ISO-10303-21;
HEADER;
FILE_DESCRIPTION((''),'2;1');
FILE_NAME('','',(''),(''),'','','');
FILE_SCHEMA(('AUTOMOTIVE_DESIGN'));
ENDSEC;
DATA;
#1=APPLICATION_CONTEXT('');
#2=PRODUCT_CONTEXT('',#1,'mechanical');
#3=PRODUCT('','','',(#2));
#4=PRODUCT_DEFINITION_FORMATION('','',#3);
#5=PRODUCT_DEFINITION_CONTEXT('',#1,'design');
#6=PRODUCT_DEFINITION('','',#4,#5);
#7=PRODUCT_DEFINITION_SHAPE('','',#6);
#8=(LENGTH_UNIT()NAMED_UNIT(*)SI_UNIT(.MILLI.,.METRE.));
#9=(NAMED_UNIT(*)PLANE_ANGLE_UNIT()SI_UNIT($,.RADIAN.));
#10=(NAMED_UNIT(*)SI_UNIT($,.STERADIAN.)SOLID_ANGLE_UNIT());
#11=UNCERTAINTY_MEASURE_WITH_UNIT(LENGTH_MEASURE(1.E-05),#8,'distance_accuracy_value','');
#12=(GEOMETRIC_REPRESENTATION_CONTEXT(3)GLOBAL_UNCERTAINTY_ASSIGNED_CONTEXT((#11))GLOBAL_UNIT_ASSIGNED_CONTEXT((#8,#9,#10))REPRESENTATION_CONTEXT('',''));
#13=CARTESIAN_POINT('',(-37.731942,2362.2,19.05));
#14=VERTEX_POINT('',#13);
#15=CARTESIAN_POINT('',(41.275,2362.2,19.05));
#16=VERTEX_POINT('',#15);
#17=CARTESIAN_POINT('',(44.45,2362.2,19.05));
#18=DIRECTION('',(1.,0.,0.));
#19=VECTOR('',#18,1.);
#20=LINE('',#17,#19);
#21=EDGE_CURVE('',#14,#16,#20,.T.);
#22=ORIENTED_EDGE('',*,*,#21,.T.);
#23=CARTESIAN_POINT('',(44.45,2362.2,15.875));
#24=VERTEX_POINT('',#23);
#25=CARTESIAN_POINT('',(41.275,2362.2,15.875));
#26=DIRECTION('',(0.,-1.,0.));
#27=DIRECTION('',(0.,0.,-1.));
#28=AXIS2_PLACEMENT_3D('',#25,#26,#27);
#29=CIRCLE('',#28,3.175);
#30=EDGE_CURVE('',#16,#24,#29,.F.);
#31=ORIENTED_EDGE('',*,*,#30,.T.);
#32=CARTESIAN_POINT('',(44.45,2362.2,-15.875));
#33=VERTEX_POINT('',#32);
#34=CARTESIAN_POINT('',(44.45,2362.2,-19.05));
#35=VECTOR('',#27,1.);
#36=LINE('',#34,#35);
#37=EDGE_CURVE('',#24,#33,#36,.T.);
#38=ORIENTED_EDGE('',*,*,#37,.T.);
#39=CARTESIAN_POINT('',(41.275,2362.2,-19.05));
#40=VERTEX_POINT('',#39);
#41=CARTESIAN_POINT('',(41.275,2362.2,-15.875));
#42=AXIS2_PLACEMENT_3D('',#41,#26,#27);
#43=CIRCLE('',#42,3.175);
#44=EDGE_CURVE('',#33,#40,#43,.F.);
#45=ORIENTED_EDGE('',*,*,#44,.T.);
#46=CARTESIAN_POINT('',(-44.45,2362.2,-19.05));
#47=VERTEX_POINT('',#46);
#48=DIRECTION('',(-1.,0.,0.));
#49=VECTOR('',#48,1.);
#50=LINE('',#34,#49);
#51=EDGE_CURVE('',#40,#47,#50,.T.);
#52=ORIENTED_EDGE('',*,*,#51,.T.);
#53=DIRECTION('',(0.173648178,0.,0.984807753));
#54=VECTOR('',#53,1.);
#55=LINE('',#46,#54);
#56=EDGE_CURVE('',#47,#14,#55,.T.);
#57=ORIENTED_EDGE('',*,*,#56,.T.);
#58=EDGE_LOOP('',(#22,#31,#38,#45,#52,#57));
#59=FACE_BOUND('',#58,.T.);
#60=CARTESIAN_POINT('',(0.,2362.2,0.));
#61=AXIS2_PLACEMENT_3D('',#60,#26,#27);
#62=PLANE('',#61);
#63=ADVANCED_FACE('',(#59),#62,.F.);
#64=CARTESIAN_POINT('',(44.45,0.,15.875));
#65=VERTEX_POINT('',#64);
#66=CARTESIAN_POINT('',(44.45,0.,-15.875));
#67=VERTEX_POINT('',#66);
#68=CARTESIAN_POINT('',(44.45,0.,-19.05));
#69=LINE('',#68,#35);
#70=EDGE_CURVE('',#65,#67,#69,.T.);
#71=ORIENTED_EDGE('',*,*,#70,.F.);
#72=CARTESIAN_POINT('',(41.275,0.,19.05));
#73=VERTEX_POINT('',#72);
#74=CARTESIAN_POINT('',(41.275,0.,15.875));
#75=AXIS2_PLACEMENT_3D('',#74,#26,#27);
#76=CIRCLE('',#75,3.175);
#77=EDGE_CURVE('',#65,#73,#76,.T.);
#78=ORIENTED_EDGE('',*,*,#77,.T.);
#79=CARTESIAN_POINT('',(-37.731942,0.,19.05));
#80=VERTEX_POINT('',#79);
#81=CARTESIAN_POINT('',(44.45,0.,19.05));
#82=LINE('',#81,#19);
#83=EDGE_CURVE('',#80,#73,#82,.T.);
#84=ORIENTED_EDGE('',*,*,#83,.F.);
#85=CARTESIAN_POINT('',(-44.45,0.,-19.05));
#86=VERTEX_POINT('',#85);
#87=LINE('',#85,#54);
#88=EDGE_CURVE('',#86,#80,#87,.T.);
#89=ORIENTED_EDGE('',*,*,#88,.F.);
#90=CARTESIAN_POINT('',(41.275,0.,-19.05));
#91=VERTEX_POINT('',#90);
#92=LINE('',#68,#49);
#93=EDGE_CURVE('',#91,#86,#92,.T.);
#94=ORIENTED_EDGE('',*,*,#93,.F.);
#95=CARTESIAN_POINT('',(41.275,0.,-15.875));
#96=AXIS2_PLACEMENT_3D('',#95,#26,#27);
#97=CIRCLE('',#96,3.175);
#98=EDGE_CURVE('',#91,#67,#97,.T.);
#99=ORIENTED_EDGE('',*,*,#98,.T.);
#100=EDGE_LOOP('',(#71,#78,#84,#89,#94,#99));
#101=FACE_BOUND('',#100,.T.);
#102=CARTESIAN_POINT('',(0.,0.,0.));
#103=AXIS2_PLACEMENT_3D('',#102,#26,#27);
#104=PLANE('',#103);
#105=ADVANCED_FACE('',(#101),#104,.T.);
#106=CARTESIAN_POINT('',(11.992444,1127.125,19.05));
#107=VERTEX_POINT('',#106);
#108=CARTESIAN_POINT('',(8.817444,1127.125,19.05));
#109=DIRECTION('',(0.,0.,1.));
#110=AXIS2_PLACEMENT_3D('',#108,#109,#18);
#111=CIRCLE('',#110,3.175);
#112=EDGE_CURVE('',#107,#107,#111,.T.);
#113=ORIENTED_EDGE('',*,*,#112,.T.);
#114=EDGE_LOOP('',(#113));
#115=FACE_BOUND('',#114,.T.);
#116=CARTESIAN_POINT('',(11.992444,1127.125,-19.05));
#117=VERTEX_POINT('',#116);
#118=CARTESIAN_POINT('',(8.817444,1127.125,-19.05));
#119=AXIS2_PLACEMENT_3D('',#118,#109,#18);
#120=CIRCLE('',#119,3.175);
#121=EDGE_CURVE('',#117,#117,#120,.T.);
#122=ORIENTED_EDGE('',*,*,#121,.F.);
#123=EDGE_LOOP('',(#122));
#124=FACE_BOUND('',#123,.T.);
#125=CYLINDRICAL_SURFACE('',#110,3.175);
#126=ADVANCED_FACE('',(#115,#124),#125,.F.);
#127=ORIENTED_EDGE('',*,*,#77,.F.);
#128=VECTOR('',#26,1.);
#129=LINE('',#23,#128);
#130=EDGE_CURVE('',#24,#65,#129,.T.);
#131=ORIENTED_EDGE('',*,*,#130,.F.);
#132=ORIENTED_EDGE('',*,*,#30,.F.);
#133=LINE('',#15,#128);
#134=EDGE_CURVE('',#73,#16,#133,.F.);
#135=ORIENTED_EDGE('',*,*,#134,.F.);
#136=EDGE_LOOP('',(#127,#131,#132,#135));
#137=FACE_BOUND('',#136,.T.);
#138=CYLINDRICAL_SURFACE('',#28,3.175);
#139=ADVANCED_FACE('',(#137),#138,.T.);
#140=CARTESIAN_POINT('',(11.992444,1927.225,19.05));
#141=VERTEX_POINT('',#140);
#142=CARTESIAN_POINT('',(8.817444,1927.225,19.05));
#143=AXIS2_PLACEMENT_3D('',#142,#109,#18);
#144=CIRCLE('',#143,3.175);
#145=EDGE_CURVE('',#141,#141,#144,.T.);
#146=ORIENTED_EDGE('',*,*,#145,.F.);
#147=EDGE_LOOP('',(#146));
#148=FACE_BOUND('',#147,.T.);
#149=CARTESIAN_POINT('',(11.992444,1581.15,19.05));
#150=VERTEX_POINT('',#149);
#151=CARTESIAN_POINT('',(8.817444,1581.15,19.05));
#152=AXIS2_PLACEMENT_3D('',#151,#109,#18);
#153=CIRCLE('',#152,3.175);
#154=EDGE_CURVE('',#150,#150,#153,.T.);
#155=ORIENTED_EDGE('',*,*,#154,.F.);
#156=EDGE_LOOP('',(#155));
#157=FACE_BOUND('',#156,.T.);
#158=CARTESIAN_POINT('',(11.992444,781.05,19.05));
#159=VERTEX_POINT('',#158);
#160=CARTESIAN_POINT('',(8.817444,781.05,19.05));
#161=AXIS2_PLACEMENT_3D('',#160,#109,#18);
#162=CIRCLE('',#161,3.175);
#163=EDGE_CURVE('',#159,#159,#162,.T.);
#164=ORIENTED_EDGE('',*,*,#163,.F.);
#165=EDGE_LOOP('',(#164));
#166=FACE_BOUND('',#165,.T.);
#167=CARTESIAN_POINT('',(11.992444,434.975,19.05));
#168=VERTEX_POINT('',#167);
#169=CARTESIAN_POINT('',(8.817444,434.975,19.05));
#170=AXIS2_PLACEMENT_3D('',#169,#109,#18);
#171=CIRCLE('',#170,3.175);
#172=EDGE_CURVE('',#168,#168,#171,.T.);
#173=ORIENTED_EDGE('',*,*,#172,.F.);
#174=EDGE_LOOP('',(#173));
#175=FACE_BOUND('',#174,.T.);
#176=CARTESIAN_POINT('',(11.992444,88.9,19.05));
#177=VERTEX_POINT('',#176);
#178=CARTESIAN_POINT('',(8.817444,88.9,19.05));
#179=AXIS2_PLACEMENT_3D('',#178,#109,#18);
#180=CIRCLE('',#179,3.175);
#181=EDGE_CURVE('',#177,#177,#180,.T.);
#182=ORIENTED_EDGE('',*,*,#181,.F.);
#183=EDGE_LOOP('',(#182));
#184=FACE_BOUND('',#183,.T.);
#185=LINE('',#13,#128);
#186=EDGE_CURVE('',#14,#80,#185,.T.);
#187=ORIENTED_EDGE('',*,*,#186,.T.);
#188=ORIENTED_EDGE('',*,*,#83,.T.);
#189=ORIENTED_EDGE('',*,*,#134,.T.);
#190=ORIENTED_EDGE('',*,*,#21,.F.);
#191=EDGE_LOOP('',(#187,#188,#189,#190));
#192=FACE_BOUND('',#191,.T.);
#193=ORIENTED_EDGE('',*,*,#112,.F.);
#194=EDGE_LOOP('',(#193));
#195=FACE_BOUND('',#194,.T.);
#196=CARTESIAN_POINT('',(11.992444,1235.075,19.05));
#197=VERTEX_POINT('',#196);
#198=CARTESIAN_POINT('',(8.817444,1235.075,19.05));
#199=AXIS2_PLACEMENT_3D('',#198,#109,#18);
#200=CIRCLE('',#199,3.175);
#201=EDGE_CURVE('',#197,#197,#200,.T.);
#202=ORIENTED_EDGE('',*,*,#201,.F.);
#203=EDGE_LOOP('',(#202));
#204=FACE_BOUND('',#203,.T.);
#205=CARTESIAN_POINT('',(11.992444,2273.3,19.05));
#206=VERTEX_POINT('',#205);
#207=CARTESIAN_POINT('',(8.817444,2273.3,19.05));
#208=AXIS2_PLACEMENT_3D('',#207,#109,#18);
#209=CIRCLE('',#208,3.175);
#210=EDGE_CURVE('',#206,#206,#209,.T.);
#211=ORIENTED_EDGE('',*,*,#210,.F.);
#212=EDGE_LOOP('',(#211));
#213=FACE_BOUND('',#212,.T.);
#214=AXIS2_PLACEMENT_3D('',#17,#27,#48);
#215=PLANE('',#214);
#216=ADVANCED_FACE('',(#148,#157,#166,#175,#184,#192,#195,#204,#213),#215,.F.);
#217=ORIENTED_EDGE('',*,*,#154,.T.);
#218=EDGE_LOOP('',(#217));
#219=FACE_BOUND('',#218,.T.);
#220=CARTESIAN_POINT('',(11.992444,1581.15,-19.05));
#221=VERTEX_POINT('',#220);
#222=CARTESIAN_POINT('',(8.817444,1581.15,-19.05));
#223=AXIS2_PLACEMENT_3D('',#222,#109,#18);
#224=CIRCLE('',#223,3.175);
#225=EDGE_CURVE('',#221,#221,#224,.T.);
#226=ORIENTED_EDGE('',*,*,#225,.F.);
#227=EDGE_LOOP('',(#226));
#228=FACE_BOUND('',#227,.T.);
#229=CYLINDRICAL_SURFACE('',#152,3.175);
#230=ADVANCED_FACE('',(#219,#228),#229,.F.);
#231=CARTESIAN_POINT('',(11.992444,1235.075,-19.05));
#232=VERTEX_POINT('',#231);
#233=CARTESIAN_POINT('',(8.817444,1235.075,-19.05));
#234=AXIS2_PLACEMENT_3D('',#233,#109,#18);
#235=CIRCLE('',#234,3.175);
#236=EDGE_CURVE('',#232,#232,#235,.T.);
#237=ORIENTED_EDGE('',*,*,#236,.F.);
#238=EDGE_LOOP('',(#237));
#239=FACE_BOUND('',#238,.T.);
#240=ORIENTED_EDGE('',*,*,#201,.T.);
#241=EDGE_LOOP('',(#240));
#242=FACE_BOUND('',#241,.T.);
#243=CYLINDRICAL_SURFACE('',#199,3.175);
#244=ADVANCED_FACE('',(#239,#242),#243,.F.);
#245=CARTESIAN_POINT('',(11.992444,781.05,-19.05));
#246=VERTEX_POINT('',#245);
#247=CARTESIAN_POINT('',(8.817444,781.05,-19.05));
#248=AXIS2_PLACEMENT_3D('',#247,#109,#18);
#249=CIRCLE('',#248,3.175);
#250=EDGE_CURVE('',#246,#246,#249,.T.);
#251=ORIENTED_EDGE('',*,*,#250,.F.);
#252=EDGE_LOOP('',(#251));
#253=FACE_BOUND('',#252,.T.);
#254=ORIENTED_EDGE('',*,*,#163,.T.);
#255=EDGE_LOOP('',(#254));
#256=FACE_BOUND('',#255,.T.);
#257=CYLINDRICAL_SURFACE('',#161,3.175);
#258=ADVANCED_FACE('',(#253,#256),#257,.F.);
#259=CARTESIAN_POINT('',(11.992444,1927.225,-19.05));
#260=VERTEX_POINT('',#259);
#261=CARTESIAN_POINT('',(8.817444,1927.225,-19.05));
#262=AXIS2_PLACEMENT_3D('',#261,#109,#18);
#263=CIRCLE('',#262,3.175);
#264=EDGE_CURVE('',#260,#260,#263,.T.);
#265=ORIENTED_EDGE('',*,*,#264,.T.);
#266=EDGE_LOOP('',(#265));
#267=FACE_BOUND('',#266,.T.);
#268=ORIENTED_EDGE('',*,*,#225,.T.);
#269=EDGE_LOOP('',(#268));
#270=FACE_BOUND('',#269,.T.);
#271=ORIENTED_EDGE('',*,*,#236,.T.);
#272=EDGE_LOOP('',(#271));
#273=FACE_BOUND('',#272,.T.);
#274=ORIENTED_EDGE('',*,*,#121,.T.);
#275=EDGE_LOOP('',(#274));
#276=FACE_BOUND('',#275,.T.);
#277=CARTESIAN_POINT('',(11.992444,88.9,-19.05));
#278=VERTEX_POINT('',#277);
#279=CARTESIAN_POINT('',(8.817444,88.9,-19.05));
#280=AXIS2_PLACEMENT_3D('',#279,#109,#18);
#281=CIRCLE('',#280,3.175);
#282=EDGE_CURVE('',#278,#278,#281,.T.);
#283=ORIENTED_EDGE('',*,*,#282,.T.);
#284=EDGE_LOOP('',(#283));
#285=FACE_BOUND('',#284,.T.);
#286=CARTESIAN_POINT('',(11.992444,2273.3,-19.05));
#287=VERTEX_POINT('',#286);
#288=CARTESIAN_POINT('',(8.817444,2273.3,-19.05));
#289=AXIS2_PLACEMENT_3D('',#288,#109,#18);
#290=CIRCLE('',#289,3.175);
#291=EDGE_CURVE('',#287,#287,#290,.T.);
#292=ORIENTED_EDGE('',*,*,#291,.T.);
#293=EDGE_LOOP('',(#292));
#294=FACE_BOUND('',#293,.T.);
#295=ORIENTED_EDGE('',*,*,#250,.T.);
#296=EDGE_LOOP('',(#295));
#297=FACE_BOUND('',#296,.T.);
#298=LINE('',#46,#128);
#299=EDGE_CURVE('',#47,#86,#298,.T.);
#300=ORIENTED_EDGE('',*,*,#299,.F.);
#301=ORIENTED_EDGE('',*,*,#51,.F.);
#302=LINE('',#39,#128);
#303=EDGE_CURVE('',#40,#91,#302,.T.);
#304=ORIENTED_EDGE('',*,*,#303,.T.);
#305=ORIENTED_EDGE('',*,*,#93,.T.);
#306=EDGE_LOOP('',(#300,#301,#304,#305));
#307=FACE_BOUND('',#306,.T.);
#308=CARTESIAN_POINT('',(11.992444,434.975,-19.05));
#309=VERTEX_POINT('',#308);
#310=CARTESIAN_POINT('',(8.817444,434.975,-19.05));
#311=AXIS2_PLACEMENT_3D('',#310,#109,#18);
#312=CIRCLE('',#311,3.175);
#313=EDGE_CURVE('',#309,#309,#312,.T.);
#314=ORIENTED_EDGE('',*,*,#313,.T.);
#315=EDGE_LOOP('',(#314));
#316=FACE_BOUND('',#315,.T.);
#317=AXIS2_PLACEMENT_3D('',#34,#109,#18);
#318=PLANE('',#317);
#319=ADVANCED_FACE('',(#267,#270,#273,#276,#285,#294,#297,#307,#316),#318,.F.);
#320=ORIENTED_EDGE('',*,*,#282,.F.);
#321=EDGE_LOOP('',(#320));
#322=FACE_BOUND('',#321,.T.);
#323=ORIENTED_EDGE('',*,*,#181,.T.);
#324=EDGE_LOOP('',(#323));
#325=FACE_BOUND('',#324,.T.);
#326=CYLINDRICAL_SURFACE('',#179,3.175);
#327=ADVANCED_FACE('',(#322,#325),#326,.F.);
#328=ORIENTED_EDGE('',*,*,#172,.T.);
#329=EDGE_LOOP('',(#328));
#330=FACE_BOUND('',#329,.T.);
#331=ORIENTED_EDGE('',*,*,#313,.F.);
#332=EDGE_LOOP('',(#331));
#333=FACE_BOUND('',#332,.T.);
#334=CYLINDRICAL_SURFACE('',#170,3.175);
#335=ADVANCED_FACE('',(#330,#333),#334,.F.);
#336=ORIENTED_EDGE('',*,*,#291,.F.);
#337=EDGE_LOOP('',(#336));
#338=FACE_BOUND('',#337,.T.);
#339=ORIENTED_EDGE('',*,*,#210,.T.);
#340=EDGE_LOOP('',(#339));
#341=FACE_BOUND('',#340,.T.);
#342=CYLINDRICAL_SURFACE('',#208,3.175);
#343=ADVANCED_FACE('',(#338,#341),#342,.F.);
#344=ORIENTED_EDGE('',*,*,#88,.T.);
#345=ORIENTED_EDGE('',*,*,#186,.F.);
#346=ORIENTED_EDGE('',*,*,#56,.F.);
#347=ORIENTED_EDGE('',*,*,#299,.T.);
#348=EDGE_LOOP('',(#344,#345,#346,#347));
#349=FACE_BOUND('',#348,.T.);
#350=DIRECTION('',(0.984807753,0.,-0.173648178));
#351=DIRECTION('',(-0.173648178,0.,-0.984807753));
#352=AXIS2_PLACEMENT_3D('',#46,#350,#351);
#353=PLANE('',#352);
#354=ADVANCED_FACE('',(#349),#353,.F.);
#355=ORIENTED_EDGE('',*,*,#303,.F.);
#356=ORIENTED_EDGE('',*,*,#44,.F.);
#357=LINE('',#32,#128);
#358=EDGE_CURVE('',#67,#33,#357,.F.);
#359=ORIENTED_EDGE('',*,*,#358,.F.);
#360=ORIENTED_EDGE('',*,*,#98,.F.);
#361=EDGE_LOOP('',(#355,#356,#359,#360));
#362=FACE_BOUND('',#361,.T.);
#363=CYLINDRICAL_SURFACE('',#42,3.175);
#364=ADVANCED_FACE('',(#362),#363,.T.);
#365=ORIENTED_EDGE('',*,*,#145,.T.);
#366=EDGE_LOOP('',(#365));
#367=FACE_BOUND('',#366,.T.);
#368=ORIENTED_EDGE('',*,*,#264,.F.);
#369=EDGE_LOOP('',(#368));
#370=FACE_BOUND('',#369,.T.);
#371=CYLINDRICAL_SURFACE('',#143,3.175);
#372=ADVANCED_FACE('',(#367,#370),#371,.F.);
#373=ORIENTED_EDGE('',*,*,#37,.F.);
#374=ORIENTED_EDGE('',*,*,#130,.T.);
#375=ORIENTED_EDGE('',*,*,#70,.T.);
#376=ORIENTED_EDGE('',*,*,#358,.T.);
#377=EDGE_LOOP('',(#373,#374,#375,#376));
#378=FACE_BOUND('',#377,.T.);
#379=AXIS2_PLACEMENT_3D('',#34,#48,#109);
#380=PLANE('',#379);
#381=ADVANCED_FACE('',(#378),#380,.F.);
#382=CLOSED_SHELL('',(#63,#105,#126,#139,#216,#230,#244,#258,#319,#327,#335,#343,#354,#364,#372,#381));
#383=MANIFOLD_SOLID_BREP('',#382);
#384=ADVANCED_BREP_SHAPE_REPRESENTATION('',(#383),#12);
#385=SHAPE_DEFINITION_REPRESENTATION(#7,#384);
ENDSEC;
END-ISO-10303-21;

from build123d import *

# Parameters (mm, degrees)
BOSS_EXTRUDE1_DEPTH         = 2362.2
F_1_4_0_25_DIAMETER_HOLE1_D = 6.35
FILLET2_R                   = 3.175


with BuildPart() as part:
    # Sketch1 → Boss-Extrude1 (new body)
    with BuildSketch(Plane(origin=(0, 0, 0), x_dir=(1, 0, 0), z_dir=(0, 1, 0))):
        Polygon((-44.45, 19.05), (-37.731942035, -19.05), (44.45, -19.05), (44.45, 19.05), align=None)
    extrude(amount=BOSS_EXTRUDE1_DEPTH)

    # 1/4 (0.25) Diameter Hole1 (through all)
    with Locations(Plane(origin=(0, 0, 19.05), x_dir=(-1, 0, 0), z_dir=(0, 0, 1))):
        with Locations((-8.817444165, -88.9), (-8.817444165, -434.975), (-8.817444165, -781.05), (-8.817444165, -1127.125)):
            f_1_4_0_25_diameter_hole1 = Hole(F_1_4_0_25_DIAMETER_HOLE1_D / 2)

    # Fillet2
    fillet2_edges = [part.edges().sort_by_distance(p)[0] for p in [
        (44.45, 1181.1, 19.05),
        (44.45, 1181.1, -19.05),
    ]]
    fillet(fillet2_edges, radius=FILLET2_R)

    # Mirror1: 1/4 (0.25) Diameter Hole1 across plane
    add(f_1_4_0_25_diameter_hole1.mirror(Plane(origin=(0, 1181.1, 0), x_dir=(0, 0, 1), z_dir=(0, -1, 0))), mode=Mode.SUBTRACT)


solid = part.part
